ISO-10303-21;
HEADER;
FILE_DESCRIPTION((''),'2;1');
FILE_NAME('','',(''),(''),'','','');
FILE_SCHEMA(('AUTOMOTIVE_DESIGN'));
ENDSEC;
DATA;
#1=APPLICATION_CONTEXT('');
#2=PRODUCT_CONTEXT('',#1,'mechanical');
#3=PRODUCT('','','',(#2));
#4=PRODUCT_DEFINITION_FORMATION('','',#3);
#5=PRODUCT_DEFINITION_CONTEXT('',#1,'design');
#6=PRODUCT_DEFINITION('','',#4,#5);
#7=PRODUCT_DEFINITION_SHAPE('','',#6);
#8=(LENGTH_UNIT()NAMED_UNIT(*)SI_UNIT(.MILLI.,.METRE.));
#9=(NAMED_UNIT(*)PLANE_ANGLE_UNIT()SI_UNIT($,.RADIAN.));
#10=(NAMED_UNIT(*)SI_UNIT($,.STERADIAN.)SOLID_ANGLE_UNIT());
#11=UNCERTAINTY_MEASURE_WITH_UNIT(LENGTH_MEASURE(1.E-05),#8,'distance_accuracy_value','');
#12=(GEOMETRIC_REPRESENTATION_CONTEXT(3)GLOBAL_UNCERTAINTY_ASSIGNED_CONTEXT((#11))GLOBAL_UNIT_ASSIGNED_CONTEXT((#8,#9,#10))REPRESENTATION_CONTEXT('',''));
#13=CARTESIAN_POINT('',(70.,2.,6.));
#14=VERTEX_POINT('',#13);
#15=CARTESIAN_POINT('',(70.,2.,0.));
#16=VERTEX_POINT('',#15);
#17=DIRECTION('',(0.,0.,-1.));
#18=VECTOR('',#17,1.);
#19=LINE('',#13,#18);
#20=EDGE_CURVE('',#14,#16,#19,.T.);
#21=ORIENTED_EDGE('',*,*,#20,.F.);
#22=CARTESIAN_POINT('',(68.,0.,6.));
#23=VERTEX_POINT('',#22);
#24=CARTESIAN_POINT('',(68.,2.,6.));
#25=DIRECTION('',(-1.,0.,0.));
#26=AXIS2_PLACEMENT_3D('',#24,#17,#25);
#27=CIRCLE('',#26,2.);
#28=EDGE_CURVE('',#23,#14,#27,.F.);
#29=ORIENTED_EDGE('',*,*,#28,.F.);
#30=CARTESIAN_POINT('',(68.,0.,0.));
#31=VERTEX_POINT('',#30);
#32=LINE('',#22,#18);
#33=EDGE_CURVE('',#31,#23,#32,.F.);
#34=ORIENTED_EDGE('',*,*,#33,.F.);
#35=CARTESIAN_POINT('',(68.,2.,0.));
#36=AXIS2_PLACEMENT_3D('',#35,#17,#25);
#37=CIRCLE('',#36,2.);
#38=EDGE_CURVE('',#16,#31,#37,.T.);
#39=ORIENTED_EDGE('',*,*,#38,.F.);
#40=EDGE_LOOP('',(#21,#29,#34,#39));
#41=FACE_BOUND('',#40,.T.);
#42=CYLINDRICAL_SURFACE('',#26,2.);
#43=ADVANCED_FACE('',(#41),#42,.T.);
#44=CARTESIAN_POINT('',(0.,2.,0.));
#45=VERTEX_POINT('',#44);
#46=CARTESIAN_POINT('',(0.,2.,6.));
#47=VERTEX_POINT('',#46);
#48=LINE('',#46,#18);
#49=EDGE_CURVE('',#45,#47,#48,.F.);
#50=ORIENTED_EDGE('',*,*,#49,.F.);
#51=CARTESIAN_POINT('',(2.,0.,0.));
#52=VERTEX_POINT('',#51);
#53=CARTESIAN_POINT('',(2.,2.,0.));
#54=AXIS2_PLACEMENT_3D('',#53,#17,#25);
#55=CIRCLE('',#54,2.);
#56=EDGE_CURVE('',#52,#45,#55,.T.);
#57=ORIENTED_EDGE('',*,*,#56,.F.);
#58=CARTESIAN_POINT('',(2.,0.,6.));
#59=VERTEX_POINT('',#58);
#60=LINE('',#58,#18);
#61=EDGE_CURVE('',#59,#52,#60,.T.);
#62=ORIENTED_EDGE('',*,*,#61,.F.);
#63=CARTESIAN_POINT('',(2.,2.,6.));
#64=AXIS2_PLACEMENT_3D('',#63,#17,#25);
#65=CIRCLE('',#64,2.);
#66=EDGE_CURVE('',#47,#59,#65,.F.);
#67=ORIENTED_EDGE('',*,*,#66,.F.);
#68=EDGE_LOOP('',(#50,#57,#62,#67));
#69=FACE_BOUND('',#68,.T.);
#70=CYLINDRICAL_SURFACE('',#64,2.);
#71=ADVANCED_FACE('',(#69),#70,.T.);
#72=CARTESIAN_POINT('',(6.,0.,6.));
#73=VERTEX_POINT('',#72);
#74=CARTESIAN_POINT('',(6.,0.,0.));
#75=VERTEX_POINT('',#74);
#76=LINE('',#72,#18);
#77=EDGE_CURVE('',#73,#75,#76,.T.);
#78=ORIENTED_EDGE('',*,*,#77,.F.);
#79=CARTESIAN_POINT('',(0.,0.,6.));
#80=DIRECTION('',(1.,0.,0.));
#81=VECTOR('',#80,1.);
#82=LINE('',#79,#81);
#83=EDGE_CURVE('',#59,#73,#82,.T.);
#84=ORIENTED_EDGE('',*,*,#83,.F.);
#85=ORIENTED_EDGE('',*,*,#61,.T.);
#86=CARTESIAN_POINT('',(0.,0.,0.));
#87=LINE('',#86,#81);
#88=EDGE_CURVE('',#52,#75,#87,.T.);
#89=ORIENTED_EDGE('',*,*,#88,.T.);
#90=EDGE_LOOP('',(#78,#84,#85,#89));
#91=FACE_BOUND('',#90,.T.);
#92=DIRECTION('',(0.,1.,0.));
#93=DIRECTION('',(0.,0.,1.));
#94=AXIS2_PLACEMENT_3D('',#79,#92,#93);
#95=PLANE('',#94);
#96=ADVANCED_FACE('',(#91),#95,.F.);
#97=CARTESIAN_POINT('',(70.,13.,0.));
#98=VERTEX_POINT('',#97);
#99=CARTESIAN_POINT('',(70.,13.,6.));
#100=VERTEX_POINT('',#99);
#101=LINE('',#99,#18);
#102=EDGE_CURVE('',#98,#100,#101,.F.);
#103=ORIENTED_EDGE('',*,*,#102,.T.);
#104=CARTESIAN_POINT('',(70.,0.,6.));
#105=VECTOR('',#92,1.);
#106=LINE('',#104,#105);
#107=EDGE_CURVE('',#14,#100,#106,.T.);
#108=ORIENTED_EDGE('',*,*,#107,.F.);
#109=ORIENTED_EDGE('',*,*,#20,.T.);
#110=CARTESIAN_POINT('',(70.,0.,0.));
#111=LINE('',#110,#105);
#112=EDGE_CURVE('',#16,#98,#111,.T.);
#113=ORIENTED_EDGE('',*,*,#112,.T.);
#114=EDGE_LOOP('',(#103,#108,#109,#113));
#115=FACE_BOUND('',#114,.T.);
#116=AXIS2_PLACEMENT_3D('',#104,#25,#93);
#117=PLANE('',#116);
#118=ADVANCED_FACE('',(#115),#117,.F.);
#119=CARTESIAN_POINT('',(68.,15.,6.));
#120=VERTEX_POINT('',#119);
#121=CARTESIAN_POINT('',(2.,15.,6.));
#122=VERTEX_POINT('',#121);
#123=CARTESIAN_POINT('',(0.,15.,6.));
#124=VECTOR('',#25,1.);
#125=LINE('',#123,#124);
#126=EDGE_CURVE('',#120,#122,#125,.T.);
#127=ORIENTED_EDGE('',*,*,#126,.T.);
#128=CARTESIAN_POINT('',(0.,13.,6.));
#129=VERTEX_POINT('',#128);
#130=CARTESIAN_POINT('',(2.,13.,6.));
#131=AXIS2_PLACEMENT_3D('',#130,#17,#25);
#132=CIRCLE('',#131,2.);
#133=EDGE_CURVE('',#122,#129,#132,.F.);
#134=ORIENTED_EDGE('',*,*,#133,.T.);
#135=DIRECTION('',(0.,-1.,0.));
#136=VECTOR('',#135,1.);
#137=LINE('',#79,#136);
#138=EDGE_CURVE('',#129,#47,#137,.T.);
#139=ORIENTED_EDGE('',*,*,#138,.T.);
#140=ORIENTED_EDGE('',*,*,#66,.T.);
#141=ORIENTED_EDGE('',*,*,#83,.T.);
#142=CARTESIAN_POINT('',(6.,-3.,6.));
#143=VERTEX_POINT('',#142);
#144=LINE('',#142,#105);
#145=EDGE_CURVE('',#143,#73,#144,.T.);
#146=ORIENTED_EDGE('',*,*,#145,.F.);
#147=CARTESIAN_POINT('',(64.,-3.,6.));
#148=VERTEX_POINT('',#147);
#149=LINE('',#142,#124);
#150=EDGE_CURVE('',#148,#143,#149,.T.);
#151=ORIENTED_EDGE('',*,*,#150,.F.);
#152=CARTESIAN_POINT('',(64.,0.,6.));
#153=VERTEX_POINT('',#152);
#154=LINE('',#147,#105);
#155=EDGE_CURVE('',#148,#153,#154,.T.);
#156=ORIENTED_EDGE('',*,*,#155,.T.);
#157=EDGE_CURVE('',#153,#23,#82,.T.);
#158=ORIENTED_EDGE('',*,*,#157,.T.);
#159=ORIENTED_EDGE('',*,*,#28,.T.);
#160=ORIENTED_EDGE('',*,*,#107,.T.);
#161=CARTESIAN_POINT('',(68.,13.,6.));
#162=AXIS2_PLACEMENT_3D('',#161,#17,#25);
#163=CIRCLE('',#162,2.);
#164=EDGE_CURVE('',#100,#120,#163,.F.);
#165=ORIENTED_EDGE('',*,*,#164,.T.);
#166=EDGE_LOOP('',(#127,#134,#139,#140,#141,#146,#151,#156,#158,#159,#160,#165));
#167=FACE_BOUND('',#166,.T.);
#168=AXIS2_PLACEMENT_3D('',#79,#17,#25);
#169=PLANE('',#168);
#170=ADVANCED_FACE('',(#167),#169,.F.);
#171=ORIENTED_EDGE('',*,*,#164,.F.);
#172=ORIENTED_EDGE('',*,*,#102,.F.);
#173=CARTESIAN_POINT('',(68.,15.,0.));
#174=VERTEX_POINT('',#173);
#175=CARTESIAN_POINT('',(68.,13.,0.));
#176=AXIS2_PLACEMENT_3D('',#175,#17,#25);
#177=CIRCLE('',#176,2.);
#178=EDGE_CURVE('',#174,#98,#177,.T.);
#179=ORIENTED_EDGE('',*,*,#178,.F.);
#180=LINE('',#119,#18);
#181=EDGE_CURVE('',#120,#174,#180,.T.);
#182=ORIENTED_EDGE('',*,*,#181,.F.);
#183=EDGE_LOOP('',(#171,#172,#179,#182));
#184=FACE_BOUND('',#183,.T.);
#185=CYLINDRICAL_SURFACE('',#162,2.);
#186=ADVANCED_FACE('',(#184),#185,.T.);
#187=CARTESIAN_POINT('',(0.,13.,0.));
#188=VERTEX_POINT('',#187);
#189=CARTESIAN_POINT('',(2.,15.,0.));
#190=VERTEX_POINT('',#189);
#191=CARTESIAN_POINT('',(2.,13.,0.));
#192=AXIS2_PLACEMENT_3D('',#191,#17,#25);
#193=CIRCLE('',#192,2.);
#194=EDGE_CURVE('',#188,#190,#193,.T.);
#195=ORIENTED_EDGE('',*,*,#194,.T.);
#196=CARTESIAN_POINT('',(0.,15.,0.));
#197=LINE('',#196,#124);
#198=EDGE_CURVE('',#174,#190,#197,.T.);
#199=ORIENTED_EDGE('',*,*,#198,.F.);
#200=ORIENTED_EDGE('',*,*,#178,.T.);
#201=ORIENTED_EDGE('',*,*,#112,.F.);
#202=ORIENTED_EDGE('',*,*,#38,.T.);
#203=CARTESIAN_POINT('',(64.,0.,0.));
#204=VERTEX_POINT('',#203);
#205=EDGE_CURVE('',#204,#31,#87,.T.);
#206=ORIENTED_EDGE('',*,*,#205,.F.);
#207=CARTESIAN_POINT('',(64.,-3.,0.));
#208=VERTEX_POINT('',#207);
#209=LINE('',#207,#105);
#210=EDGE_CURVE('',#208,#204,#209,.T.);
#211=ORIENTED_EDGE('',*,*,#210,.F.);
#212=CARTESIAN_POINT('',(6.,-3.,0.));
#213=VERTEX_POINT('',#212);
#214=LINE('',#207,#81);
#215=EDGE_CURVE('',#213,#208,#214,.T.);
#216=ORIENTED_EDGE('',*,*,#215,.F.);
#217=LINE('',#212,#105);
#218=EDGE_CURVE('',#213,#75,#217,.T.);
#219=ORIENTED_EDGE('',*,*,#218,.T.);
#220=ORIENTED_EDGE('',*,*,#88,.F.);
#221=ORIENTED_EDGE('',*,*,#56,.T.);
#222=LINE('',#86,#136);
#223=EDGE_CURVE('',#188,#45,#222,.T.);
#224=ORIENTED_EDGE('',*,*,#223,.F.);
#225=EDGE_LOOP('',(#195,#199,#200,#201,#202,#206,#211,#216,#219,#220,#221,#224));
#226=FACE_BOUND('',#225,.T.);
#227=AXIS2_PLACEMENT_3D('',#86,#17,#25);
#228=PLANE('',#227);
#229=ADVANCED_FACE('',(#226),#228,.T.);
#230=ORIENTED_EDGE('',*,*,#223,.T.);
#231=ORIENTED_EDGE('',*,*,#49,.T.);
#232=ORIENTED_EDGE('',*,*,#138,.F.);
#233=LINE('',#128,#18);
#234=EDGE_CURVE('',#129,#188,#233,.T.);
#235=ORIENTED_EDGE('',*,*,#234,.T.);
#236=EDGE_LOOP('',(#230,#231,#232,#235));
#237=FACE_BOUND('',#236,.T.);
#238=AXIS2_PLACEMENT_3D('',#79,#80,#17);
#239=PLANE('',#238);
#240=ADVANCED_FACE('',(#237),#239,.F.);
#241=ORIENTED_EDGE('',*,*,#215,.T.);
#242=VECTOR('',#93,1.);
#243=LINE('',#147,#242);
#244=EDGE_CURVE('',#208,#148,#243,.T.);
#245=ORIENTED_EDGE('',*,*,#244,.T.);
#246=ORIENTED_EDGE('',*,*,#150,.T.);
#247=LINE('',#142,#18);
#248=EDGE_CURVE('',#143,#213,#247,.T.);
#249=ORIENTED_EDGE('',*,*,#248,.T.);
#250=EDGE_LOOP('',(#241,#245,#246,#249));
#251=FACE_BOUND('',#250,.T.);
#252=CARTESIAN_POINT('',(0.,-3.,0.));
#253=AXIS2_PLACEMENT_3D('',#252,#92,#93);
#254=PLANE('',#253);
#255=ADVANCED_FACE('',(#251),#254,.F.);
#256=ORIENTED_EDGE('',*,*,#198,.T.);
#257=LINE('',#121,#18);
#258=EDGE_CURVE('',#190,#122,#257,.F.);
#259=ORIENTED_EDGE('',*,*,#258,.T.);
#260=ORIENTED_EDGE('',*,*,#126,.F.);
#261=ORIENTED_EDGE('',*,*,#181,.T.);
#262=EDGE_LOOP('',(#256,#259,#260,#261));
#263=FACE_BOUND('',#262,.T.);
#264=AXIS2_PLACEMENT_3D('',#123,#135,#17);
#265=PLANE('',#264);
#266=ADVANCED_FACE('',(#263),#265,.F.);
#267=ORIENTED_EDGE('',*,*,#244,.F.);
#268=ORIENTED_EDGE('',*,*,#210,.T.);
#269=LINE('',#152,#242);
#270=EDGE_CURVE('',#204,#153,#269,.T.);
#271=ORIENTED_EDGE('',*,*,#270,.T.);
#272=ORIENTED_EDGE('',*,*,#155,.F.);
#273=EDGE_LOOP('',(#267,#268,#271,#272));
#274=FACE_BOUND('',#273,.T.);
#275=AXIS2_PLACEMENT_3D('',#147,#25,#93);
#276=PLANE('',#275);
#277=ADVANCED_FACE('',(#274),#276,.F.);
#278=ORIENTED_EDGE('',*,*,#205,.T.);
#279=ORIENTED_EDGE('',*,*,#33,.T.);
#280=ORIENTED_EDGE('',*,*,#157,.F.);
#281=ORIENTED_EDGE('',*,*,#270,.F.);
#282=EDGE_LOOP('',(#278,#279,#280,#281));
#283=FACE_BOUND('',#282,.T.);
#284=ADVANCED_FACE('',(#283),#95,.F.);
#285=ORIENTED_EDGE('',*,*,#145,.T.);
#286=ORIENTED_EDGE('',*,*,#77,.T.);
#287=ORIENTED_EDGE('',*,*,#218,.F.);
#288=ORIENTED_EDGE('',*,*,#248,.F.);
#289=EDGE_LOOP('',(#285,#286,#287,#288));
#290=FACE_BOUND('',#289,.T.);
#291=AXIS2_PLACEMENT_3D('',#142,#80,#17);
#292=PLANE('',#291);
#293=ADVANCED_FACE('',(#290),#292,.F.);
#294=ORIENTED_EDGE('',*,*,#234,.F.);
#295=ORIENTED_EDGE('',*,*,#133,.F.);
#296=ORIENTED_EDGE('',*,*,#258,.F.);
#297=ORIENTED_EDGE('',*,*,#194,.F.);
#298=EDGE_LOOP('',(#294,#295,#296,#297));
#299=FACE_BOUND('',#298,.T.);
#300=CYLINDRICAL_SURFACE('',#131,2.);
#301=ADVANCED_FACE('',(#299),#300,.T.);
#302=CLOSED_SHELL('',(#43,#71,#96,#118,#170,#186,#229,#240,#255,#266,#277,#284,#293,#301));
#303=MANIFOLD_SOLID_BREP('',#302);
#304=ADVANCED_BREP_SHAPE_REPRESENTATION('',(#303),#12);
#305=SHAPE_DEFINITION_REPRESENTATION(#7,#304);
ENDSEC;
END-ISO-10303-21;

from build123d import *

# Parameters (mm, degrees)
SKETCH_1_W      = 70
SKETCH_1_H      = 15
EXTRUDE_1_DEPTH = 6
FILLET_1_R      = 2
SKETCH_2_W      = 58
SKETCH_2_H      = 6
EXTRUDE_2_DEPTH = 3


with BuildPart() as part:
    # Эскиз1 → Бобышка-Вытянуть1 (new body)
    with BuildSketch(Plane.XY):
        with Locations((35, 7.5)):
            Rectangle(SKETCH_1_W, SKETCH_1_H)
    extrude(amount=EXTRUDE_1_DEPTH)

    # Скругление1
    fillet_1_edges = [part.edges().sort_by_distance(p)[0] for p in [
        (0, 15, 3),
        (70, 15, 3),
        (70, 0, 3),
        (0, 0, 3),
    ]]
    fillet(fillet_1_edges, radius=FILLET_1_R)

    # Эскиз2 → Бобышка-Вытянуть2 (add)
    with BuildSketch(Plane.XZ):
        with Locations((35, 3)):
            Rectangle(SKETCH_2_W, SKETCH_2_H)
    extrude(amount=EXTRUDE_2_DEPTH)


solid = part.part
